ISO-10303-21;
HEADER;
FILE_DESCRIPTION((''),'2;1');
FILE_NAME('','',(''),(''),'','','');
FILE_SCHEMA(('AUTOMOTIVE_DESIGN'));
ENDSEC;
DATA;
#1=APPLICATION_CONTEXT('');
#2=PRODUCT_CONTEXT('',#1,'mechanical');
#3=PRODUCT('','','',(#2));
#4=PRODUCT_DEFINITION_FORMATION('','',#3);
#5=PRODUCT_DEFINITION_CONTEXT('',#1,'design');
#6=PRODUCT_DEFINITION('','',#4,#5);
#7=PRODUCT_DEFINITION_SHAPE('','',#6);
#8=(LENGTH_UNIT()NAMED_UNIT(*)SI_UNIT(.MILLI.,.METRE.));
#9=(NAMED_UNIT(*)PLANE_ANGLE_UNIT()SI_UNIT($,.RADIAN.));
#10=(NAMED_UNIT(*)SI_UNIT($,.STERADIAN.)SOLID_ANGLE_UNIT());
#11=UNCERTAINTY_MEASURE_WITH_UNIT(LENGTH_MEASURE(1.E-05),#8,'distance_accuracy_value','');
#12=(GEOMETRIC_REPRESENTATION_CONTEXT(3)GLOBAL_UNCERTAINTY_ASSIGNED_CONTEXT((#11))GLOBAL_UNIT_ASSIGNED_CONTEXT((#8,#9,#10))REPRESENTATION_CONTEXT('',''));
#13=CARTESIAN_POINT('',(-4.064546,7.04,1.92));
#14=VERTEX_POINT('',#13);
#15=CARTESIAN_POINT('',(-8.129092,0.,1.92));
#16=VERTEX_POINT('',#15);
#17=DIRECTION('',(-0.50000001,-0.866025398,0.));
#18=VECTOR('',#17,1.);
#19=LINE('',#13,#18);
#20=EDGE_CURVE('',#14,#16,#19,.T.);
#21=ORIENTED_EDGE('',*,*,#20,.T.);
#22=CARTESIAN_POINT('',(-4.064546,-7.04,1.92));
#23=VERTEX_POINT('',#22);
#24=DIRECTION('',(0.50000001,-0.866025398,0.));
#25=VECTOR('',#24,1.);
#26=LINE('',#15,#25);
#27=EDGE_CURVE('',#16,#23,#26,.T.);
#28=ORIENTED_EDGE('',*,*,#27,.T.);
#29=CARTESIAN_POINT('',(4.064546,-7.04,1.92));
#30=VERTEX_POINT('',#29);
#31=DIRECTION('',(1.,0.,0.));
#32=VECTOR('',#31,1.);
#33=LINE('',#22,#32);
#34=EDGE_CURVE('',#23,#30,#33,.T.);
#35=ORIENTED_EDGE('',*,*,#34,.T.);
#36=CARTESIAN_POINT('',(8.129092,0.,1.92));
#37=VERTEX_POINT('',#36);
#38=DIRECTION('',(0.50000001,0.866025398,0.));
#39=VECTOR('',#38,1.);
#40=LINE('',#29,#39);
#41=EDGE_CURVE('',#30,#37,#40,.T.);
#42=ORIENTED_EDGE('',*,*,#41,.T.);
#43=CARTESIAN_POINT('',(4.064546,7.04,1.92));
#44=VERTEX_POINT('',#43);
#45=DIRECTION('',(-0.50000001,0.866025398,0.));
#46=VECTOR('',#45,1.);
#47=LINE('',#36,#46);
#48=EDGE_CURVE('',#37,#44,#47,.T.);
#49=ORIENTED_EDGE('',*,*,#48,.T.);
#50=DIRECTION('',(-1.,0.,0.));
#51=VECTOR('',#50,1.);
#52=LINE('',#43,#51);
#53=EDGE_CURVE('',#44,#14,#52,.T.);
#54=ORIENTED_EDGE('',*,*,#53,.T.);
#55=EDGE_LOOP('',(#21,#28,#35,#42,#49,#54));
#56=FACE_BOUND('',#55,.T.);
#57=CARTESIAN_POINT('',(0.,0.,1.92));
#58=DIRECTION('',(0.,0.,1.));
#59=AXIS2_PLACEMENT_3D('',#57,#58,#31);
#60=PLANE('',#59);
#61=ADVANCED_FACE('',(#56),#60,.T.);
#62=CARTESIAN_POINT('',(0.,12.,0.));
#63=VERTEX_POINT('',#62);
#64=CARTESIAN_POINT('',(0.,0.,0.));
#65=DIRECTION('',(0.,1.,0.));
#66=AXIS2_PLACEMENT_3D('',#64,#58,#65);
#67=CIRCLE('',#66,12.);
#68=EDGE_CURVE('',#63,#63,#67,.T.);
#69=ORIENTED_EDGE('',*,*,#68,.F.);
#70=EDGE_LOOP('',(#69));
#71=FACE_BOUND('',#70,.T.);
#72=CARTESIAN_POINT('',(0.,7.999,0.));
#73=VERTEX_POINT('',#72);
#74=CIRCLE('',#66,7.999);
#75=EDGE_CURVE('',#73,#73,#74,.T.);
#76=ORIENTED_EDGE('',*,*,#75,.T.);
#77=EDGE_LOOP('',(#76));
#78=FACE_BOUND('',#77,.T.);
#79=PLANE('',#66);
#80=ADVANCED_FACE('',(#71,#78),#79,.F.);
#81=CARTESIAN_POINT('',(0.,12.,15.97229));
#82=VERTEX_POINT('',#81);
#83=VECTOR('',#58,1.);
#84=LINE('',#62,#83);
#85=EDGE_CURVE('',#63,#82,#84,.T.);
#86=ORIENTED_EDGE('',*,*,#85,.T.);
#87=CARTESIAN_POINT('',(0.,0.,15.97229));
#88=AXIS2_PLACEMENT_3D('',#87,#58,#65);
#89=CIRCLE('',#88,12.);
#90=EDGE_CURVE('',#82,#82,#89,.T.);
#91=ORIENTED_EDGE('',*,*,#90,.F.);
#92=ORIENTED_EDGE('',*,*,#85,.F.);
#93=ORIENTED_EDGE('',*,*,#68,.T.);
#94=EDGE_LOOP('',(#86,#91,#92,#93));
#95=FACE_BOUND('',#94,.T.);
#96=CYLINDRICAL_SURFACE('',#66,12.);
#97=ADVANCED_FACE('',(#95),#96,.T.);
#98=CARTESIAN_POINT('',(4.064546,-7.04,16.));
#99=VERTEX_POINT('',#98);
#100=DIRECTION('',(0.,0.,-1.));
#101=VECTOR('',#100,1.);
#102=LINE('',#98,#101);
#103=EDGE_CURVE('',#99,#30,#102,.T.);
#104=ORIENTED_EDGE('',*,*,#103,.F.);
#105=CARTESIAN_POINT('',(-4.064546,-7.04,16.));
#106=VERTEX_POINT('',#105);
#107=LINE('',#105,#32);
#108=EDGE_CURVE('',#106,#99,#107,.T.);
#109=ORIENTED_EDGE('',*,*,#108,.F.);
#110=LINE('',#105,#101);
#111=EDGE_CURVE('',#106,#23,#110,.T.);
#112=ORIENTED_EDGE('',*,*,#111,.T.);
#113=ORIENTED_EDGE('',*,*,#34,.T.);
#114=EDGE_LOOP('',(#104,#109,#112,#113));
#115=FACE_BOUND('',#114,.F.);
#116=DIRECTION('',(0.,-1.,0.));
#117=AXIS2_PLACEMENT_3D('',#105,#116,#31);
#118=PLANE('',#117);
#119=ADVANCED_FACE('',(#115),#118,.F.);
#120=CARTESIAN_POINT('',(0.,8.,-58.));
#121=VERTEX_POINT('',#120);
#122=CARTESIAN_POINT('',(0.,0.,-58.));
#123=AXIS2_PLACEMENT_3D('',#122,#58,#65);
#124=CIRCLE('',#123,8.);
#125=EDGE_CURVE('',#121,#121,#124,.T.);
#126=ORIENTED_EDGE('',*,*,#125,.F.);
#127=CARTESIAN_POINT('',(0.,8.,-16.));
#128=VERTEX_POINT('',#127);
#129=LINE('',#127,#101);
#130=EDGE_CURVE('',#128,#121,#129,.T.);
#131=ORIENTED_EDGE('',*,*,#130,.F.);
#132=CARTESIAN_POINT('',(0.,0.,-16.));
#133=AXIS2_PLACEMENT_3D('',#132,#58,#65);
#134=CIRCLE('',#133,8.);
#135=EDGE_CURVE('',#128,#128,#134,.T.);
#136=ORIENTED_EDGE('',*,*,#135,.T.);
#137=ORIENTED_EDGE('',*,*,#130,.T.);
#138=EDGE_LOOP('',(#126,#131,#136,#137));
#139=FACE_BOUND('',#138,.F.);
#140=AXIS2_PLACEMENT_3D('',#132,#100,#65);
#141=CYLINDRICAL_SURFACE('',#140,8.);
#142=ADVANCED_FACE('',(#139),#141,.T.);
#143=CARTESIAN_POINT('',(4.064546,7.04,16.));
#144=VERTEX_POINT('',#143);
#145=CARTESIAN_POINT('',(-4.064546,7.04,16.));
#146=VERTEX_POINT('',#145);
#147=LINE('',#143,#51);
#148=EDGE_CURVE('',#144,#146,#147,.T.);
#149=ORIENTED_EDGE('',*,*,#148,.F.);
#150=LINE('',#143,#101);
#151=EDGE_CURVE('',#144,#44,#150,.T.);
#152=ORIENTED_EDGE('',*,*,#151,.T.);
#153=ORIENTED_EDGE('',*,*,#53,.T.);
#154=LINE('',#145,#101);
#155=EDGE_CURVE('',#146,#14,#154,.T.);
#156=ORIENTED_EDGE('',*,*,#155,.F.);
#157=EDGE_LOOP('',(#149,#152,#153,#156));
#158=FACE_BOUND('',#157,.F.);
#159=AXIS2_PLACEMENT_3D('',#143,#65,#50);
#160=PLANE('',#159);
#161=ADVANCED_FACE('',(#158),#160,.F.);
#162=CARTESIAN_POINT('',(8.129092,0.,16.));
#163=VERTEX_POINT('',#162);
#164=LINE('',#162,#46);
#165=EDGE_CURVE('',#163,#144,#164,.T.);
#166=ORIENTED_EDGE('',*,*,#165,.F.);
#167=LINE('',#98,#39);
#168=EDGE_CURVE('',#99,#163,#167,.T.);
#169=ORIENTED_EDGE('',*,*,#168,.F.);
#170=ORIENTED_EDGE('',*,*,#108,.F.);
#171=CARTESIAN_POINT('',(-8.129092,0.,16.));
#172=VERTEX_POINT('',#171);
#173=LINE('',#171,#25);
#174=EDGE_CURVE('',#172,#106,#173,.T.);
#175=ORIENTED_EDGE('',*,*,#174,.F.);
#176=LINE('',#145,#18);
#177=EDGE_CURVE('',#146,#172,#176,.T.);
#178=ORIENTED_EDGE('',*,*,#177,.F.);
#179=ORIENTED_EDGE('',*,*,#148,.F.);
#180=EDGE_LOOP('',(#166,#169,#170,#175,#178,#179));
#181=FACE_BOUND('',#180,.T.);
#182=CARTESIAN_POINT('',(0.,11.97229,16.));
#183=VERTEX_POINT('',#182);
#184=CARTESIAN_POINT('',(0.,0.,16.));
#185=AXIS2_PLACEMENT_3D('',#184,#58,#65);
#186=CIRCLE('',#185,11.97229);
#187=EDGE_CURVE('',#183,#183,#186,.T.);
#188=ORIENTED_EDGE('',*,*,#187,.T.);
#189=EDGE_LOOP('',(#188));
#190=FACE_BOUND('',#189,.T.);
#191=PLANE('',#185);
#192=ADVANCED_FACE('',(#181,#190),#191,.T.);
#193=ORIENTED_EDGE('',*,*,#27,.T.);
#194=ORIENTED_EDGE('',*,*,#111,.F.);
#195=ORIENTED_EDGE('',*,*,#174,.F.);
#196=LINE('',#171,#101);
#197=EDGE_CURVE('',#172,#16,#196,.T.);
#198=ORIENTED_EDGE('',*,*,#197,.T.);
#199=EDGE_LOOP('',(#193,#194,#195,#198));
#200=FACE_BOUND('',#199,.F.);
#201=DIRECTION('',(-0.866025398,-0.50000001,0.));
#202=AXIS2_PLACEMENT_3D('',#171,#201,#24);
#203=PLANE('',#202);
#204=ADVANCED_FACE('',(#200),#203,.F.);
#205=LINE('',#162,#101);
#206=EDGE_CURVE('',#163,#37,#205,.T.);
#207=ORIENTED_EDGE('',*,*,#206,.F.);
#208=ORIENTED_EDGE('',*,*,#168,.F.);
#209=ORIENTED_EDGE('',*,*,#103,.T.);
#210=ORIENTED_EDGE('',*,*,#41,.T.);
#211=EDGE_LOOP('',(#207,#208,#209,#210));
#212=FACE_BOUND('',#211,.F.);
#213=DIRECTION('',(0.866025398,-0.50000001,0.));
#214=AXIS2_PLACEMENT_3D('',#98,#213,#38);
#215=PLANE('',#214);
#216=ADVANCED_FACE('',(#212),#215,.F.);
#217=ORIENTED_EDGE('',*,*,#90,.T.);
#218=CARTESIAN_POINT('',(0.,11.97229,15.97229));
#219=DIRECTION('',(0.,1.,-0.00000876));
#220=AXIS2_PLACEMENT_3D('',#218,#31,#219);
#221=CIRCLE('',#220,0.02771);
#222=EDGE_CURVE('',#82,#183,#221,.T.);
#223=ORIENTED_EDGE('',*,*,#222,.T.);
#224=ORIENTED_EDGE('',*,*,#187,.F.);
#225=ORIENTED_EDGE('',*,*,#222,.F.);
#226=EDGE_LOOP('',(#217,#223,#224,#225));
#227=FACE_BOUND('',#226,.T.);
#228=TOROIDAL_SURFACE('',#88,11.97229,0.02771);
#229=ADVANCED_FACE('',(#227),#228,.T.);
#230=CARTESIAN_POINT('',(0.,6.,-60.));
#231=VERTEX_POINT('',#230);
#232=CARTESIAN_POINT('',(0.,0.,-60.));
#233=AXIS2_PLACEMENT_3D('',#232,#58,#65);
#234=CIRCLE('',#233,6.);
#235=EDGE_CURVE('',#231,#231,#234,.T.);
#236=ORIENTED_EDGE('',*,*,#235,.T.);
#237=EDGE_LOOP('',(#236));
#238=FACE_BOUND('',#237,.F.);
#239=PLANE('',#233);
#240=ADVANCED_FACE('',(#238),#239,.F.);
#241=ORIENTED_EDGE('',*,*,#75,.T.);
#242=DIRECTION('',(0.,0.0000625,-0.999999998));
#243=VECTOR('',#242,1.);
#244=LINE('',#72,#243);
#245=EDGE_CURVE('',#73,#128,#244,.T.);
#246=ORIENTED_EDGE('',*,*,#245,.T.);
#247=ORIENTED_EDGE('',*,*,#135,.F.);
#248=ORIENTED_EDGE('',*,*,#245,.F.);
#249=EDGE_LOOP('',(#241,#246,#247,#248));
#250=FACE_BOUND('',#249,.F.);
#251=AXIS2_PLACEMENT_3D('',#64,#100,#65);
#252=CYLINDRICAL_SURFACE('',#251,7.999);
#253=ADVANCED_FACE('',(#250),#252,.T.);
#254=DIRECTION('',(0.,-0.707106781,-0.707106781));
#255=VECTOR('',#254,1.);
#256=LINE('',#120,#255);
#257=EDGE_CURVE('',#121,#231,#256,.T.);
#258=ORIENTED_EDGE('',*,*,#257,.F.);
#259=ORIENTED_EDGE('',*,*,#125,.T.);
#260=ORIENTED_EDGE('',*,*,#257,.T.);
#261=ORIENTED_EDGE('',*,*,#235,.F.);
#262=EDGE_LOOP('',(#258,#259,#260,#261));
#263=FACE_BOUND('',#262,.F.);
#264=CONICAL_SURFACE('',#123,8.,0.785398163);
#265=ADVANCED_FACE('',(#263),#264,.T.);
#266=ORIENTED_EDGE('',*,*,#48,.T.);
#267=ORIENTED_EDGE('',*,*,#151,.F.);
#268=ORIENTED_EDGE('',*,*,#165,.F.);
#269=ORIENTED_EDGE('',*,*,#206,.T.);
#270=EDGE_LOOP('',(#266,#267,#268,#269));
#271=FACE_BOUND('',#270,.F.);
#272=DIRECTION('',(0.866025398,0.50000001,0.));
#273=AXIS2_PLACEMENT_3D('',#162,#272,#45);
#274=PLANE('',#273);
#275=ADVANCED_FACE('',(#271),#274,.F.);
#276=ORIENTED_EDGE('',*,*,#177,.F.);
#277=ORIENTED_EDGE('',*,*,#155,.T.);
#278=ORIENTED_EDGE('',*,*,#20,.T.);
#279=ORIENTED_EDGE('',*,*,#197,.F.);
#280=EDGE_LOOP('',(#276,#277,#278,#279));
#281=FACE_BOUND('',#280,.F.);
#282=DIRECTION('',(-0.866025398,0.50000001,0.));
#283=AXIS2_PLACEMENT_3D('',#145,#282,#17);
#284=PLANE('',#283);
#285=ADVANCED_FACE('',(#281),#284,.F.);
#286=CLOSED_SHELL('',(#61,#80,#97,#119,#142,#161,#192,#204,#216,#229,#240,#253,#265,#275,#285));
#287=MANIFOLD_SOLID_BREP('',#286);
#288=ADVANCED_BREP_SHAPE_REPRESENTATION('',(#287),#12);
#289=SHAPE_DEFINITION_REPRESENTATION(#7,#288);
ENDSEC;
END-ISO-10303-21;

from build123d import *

# Parameters (mm, degrees)
POCKET_DEPTH = 14.08


with BuildPart() as part:
    # Sketch → Revolve (revolve)
    with BuildSketch(Plane.YZ):
        with BuildLine():
            Line((7.999, 0), (12, 0))
            Line((12, 0), (12, 15.97229))
            ThreePointArc((12, 15.97229), (11.991884, 15.991884), (11.97229, 16))
            Line((11.97229, 16), (0, 16))
            Line((0, -60), (0, 16))
            Line((6, -60), (0, -60))
            Line((8, -58), (6, -60))
            Line((8, -16), (8, -58))
            Line((7.999, 0), (8, -16))
        make_face()
    revolve(axis=Axis((0, 0, 0), (0, 0, 1)))

    # Sketch001 → Pocket (cut)
    with BuildSketch(Plane.XY.offset(16)):
        Polygon((8.129092, 0), (4.064546, 7.04), (-4.064546, 7.04), (-8.129092, 0), (-4.064546, -7.04), (4.064546, -7.04), align=None)
    extrude(amount=-POCKET_DEPTH, mode=Mode.SUBTRACT)


solid = part.part
